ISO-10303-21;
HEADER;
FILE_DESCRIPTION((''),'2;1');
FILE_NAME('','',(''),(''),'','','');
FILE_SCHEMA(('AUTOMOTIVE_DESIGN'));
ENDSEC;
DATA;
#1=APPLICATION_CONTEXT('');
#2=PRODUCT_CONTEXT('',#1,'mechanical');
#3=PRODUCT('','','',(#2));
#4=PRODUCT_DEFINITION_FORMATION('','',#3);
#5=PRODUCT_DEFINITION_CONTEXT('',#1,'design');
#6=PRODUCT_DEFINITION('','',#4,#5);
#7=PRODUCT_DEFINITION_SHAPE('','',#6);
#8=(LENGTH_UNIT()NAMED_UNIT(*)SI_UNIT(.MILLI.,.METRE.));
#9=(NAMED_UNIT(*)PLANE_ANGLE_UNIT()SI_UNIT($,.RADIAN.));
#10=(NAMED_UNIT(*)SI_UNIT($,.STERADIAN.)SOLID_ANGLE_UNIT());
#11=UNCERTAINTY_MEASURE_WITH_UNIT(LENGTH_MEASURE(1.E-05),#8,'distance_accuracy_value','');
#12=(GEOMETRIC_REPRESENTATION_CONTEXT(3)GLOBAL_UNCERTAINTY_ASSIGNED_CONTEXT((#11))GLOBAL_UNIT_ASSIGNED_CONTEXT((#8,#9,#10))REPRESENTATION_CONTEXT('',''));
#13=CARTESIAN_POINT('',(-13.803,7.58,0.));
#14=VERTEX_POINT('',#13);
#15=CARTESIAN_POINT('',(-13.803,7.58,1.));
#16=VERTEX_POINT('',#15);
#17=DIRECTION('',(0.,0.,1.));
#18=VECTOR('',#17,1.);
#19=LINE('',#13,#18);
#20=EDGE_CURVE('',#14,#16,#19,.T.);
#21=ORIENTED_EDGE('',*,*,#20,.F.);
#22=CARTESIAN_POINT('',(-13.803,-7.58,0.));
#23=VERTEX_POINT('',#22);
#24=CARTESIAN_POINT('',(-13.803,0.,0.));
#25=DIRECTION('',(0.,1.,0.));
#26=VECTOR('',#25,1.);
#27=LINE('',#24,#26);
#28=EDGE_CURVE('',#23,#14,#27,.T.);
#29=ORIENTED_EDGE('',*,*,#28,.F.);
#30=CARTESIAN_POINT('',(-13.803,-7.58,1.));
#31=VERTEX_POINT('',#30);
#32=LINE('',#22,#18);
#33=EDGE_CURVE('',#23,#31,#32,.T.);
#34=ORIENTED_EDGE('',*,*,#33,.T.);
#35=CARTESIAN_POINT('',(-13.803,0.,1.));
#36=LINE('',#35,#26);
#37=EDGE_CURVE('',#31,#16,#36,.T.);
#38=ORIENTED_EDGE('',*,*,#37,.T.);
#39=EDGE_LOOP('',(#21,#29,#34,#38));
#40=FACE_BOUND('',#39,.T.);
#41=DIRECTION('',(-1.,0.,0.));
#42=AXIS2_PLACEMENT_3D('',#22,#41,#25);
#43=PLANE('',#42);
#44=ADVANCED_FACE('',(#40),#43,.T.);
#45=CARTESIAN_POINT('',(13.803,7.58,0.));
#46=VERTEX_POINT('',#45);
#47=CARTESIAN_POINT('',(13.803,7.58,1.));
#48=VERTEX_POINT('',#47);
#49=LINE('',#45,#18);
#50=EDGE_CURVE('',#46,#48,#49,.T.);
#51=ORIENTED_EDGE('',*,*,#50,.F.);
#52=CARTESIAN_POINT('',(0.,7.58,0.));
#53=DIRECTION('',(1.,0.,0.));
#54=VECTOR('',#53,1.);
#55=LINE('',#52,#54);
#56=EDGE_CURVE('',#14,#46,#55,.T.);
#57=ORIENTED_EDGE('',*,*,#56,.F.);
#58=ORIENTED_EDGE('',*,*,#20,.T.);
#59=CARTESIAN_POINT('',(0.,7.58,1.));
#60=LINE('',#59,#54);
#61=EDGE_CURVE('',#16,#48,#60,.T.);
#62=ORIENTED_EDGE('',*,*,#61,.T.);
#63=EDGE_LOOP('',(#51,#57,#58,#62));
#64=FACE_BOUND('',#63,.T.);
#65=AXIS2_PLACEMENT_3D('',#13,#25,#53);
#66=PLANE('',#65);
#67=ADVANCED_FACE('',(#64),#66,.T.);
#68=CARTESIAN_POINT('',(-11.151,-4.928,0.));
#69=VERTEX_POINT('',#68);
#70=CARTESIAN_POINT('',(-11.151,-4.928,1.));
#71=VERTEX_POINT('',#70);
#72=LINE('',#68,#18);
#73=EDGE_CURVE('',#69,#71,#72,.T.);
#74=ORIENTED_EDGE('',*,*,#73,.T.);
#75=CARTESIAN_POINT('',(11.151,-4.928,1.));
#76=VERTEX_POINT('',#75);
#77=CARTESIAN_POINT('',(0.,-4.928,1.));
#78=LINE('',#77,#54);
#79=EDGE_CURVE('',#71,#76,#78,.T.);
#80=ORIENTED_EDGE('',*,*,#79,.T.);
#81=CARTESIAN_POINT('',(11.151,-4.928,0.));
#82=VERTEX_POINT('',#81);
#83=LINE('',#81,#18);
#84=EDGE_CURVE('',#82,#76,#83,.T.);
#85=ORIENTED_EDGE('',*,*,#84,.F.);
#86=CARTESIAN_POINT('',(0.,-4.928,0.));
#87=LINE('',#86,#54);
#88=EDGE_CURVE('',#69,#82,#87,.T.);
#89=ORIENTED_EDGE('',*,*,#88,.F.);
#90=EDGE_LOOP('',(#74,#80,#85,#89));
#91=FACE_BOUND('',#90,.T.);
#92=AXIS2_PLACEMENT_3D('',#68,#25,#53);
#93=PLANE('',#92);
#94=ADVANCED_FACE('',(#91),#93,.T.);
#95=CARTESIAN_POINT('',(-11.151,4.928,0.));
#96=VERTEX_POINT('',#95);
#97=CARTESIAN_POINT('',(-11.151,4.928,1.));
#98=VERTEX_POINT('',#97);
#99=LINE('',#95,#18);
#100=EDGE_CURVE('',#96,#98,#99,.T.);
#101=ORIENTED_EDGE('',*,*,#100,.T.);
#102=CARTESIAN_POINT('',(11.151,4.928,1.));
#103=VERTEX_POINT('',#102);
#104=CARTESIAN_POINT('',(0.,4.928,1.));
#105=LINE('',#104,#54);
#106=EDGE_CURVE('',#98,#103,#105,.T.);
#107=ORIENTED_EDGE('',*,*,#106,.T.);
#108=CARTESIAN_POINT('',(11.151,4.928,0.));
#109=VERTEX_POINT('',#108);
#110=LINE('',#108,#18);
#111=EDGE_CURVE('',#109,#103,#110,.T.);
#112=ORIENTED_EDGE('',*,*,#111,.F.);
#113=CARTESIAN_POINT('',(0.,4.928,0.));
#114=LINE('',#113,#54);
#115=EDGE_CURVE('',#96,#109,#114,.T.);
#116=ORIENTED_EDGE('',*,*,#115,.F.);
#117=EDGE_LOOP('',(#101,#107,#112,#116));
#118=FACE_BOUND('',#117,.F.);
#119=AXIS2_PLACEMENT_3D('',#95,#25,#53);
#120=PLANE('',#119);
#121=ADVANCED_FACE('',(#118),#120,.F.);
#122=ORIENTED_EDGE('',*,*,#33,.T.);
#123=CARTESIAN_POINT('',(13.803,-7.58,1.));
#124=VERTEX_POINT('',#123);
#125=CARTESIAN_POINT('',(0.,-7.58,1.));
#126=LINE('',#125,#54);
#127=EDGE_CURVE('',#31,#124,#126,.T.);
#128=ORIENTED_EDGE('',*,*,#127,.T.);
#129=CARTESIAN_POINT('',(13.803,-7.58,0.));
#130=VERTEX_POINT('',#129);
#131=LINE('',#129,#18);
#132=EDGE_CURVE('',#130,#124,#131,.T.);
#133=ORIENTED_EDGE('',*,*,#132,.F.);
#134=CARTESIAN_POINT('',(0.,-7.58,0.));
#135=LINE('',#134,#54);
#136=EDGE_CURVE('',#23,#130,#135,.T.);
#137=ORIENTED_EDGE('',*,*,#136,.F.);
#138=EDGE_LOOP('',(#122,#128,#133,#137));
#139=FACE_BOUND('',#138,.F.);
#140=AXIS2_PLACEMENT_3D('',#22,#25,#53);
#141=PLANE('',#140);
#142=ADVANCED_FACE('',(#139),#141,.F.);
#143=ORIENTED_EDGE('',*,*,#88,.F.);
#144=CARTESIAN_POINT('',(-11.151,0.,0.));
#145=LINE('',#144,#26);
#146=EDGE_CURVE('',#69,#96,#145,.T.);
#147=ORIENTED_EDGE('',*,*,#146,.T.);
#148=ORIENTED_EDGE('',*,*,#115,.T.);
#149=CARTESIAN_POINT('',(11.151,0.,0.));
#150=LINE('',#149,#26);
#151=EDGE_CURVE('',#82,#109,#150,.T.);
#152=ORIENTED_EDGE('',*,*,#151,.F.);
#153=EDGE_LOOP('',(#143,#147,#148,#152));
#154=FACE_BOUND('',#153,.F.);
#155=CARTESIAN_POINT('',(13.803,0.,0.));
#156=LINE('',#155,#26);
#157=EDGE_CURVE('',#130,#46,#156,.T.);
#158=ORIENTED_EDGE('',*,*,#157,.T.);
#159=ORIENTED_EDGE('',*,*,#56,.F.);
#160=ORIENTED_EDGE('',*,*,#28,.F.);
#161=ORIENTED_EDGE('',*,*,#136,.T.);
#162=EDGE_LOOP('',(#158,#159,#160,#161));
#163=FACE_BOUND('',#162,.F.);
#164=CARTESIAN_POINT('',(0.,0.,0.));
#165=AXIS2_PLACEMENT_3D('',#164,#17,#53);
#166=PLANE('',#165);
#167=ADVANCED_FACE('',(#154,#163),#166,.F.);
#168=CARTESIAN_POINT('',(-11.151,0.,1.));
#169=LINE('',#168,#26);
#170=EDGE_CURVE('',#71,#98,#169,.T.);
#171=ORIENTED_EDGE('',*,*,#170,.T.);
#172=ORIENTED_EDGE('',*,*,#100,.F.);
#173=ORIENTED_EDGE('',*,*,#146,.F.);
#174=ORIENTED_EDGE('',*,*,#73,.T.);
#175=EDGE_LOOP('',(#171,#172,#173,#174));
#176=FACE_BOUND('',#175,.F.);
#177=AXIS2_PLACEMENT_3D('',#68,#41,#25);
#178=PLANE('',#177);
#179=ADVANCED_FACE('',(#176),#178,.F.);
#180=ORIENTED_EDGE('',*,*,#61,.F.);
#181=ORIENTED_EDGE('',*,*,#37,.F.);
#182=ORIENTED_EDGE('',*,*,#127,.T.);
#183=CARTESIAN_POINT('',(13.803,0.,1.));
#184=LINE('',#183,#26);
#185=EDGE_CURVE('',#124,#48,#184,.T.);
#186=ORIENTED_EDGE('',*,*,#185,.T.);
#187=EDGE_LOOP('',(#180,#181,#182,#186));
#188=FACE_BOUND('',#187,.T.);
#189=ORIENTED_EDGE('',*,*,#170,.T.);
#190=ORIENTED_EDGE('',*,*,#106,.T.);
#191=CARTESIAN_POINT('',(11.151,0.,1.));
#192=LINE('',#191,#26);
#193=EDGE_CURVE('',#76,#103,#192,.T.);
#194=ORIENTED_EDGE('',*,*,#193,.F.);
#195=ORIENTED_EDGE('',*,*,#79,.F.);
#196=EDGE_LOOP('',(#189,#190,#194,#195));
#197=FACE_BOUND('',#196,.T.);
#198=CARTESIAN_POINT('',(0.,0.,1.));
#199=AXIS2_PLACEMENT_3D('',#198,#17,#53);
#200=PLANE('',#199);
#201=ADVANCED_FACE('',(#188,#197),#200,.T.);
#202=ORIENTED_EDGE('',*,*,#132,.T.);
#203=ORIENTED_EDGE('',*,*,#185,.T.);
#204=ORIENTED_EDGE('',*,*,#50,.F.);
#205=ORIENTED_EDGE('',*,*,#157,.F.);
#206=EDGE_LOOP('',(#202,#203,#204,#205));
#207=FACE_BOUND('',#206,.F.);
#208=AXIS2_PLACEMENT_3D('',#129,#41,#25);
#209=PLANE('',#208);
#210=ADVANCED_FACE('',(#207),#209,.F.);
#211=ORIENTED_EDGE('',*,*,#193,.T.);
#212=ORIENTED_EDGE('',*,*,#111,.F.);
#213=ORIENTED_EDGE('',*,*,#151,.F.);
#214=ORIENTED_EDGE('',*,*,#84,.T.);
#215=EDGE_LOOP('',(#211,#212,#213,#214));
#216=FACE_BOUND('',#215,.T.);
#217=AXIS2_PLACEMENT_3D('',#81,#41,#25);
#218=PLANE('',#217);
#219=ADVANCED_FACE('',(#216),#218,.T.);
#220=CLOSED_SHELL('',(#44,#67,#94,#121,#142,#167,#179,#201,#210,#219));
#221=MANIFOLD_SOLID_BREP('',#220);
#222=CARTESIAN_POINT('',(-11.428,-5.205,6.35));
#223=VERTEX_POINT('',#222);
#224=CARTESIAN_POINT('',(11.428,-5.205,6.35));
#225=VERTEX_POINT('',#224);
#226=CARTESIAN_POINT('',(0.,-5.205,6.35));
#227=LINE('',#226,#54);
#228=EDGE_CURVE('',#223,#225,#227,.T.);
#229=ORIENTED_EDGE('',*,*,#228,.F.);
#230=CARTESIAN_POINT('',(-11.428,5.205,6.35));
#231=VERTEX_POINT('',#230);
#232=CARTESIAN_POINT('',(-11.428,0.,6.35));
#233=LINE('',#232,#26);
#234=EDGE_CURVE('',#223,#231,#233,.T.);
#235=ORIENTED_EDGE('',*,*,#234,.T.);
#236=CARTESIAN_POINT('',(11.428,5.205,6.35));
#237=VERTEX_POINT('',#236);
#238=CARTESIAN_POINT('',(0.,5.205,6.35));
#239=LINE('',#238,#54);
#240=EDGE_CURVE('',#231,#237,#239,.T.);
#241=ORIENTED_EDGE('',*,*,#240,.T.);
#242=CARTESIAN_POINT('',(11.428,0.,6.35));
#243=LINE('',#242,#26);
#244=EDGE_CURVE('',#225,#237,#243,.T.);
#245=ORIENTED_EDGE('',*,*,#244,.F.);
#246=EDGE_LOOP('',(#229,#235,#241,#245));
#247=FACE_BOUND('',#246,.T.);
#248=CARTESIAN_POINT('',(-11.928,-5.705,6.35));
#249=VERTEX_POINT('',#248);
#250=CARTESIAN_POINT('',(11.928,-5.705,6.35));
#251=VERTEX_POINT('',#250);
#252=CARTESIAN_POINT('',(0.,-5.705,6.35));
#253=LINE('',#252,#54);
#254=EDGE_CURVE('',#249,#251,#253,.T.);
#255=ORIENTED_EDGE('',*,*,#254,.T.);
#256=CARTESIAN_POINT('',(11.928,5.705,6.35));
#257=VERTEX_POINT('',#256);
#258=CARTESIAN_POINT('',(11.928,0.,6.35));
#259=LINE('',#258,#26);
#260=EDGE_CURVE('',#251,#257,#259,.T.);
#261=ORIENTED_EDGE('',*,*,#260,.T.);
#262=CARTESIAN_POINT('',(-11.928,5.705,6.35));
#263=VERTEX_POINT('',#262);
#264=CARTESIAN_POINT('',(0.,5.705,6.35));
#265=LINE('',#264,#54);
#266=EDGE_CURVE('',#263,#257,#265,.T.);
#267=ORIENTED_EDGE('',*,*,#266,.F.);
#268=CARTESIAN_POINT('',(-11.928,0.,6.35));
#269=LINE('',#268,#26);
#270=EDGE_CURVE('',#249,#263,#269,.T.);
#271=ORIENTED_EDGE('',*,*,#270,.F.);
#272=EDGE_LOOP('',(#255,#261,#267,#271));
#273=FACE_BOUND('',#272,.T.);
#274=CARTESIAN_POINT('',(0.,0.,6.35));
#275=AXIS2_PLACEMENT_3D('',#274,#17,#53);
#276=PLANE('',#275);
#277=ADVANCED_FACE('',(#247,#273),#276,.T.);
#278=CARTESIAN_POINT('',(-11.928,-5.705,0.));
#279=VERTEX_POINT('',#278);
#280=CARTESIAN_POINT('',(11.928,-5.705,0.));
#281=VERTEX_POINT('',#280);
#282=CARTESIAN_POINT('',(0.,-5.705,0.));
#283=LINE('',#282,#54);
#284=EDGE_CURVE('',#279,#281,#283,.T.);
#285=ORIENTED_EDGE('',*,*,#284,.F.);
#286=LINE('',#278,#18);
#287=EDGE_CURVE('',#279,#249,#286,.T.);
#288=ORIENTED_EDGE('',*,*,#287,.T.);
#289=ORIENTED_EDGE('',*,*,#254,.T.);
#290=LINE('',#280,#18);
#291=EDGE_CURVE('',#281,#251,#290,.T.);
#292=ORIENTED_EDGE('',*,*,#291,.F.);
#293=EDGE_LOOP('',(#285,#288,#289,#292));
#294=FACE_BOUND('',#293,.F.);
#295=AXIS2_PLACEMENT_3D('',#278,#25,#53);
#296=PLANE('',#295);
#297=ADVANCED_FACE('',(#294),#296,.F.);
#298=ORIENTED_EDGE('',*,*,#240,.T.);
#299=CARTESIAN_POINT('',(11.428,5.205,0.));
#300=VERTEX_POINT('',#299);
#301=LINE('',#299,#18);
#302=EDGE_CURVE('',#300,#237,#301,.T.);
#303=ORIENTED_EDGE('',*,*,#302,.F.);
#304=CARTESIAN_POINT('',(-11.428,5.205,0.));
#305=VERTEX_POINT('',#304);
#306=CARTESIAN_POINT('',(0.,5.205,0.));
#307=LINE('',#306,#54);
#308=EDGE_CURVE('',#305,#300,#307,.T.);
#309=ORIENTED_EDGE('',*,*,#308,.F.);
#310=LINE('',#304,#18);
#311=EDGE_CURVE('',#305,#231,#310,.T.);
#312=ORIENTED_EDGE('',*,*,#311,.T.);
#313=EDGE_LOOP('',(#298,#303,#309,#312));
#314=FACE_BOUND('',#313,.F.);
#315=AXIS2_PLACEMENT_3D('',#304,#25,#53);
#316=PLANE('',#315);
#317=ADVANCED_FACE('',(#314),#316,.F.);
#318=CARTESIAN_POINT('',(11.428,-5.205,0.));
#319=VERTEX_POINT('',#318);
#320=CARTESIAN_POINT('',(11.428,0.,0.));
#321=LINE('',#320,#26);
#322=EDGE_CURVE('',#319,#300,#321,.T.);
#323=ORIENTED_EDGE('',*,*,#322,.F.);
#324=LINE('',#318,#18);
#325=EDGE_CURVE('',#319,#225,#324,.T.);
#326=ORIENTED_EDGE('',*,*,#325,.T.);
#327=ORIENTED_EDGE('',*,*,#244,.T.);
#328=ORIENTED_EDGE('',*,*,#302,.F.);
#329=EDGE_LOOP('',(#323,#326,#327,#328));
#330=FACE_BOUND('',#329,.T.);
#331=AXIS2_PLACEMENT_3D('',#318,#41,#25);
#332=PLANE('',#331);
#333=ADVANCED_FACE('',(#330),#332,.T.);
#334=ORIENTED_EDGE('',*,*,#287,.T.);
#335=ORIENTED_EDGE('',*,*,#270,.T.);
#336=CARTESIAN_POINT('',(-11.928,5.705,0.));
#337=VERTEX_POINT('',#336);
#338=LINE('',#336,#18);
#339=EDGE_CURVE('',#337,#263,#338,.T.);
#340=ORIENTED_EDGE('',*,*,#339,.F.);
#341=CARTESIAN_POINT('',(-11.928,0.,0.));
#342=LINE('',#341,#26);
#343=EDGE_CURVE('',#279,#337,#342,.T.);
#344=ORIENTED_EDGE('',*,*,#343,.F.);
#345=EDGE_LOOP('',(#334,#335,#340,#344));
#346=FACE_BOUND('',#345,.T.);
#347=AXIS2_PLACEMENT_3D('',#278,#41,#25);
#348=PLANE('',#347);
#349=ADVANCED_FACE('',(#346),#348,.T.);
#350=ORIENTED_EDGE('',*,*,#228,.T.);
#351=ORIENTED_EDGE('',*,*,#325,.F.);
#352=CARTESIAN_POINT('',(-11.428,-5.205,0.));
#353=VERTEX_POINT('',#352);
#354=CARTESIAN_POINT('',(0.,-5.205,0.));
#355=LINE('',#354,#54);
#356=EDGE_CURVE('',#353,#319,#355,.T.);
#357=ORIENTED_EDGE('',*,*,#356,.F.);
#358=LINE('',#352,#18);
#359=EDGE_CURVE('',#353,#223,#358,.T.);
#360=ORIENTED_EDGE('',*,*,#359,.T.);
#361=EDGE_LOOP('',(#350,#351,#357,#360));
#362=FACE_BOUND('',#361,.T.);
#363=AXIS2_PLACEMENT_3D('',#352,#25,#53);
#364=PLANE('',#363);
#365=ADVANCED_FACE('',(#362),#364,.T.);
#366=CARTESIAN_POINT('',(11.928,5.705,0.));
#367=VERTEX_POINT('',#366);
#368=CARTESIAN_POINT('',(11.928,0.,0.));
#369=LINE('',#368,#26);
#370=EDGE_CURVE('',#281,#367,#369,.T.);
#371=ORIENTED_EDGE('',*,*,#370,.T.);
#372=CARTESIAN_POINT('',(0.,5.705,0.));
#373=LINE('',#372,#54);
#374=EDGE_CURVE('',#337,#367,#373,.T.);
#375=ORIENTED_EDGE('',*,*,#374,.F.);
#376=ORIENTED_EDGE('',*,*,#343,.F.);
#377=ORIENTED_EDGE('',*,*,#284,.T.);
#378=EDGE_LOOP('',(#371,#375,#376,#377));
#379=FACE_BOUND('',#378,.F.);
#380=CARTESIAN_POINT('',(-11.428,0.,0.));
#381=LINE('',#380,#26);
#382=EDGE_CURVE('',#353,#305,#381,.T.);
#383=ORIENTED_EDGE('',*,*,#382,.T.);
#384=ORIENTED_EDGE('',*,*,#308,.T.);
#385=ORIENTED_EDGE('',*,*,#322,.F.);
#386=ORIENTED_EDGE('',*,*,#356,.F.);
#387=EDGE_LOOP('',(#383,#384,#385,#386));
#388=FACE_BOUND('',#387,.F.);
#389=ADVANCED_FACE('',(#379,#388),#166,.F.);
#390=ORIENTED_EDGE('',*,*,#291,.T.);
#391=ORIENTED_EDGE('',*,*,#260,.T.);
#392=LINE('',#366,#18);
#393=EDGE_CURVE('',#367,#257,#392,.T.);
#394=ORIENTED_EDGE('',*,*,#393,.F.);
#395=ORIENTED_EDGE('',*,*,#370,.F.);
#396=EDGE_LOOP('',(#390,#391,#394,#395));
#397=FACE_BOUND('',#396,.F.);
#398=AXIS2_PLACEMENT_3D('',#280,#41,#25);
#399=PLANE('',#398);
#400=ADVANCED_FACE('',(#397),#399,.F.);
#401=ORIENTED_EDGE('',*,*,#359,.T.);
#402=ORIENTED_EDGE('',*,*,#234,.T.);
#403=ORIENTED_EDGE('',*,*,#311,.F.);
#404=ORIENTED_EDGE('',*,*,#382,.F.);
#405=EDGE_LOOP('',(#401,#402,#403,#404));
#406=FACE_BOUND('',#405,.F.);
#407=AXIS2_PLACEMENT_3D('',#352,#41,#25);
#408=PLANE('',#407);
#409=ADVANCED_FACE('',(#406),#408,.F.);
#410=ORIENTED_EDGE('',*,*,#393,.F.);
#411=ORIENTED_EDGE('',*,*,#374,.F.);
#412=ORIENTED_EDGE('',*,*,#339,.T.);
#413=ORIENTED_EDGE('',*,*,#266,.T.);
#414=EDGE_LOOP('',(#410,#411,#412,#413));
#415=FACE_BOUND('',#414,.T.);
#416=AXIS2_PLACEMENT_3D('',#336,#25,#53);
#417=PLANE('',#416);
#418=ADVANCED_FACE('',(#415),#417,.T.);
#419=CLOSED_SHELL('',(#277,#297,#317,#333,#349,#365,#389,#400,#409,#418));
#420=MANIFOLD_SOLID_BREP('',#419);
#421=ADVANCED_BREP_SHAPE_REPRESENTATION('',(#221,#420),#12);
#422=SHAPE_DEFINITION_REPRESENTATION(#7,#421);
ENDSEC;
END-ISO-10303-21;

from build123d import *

# Parameters (mm, degrees)
F0_W     = 27.606
F0_H     = 15.16
F0_W_2   = 22.302
F0_H_2   = 9.856
F1_DEPTH = 1
F2_W     = 23.856
F2_H     = 11.41
F2_W_2   = 22.856
F2_H_2   = 10.41
F3_DEPTH = 6.35


with BuildPart() as f1:
    # F0 (on Top) → F1 (new body)
    with BuildSketch(Plane.XY):
        Rectangle(F0_W, F0_H)
        Rectangle(F0_W_2, F0_H_2, mode=Mode.SUBTRACT)
    extrude(amount=F1_DEPTH)


with BuildPart() as f3:
    # F2 (on Top) → F3 (new body)
    with BuildSketch(Plane.XY):
        Rectangle(F2_W, F2_H)
        Rectangle(F2_W_2, F2_H_2, mode=Mode.SUBTRACT)
    extrude(amount=F3_DEPTH)


solid = Compound([f1.part, f3.part])
